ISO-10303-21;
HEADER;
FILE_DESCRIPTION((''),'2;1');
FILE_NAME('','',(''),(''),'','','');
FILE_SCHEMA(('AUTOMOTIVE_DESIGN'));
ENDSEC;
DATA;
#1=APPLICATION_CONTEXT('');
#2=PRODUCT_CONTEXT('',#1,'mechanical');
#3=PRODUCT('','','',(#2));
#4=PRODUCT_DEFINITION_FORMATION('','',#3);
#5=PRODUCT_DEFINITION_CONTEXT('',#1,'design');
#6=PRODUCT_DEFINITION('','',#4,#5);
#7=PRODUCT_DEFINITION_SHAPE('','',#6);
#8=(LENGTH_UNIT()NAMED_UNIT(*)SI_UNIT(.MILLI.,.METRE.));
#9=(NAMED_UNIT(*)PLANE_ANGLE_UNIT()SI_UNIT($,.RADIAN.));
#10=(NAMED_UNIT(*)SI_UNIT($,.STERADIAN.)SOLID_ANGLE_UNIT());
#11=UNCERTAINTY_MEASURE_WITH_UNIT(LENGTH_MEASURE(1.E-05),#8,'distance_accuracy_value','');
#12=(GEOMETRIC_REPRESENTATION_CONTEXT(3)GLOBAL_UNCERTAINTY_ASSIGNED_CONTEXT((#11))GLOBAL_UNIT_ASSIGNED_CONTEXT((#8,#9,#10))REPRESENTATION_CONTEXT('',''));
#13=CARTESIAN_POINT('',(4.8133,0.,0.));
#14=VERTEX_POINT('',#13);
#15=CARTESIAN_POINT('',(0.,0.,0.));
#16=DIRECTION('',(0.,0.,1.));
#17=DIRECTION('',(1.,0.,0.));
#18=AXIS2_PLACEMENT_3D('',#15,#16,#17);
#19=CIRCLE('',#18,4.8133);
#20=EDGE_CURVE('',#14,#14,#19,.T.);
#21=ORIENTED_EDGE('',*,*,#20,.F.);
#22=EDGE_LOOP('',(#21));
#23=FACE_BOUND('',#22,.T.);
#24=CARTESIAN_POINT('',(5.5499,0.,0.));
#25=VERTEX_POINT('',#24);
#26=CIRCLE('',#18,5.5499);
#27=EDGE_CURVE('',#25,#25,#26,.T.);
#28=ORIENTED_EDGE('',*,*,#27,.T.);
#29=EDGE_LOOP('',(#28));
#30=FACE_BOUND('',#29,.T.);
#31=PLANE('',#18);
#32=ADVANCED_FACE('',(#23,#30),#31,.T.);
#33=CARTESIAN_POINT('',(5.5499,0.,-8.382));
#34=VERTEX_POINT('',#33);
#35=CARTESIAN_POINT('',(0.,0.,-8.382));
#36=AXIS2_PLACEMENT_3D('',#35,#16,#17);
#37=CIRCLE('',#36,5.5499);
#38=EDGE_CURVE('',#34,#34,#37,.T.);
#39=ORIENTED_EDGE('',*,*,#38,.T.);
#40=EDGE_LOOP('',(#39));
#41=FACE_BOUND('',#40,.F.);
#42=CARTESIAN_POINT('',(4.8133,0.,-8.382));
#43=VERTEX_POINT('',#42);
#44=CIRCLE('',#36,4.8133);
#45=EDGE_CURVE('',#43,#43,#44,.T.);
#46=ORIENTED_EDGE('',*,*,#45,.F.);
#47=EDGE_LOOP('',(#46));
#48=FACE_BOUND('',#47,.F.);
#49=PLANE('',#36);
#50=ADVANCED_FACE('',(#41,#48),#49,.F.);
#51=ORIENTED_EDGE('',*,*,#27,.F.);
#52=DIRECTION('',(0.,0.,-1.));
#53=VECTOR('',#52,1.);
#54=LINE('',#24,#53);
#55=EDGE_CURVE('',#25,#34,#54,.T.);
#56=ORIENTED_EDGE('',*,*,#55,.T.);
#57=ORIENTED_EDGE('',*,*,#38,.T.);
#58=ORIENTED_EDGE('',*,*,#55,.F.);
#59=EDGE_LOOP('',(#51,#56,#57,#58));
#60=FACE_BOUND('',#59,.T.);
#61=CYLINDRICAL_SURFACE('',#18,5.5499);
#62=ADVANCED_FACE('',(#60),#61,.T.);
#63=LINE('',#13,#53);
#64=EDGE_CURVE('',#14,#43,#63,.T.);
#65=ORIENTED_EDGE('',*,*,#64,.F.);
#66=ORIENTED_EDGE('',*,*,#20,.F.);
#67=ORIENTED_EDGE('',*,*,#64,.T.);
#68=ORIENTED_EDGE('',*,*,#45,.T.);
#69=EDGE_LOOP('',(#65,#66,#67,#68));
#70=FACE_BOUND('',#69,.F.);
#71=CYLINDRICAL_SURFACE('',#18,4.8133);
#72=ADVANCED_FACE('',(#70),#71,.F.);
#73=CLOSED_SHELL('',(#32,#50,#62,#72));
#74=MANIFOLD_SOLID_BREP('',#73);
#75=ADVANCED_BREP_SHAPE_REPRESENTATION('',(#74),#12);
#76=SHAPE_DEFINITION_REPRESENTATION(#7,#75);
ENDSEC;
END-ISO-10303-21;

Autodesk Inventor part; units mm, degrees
ref_plane "YZ Plane" through (0, 0, 0) normal (1, 0, 0) x (0, 1, 0)
ref_plane "XZ Plane" through (0, 0, 0) normal (0, 1, 0) x (-1, 0, 0)
ref_plane "XY Plane" through (0, 0, 0) normal (0, 0, 1) x (1, 0, 0)
sketch "Sketch1" plane through (0, 0, 0) normal (0, 0, 1) x (1, 0, 0)
  circle A0 centre (0, 0) radius 4.8133
  circle A1 centre (0, 0) radius 5.5499
  dimension "d0" = 9.6266
  dimension "d2" = 11.0998
extrude "Extrusion1" add sketch "Sketch1" against normal blind 8.382
properties part number "DBK_0820Spacer_am-2243 (modified for Shooter Shaft Spacer 1)" material "Brass, Soft Yellow"
